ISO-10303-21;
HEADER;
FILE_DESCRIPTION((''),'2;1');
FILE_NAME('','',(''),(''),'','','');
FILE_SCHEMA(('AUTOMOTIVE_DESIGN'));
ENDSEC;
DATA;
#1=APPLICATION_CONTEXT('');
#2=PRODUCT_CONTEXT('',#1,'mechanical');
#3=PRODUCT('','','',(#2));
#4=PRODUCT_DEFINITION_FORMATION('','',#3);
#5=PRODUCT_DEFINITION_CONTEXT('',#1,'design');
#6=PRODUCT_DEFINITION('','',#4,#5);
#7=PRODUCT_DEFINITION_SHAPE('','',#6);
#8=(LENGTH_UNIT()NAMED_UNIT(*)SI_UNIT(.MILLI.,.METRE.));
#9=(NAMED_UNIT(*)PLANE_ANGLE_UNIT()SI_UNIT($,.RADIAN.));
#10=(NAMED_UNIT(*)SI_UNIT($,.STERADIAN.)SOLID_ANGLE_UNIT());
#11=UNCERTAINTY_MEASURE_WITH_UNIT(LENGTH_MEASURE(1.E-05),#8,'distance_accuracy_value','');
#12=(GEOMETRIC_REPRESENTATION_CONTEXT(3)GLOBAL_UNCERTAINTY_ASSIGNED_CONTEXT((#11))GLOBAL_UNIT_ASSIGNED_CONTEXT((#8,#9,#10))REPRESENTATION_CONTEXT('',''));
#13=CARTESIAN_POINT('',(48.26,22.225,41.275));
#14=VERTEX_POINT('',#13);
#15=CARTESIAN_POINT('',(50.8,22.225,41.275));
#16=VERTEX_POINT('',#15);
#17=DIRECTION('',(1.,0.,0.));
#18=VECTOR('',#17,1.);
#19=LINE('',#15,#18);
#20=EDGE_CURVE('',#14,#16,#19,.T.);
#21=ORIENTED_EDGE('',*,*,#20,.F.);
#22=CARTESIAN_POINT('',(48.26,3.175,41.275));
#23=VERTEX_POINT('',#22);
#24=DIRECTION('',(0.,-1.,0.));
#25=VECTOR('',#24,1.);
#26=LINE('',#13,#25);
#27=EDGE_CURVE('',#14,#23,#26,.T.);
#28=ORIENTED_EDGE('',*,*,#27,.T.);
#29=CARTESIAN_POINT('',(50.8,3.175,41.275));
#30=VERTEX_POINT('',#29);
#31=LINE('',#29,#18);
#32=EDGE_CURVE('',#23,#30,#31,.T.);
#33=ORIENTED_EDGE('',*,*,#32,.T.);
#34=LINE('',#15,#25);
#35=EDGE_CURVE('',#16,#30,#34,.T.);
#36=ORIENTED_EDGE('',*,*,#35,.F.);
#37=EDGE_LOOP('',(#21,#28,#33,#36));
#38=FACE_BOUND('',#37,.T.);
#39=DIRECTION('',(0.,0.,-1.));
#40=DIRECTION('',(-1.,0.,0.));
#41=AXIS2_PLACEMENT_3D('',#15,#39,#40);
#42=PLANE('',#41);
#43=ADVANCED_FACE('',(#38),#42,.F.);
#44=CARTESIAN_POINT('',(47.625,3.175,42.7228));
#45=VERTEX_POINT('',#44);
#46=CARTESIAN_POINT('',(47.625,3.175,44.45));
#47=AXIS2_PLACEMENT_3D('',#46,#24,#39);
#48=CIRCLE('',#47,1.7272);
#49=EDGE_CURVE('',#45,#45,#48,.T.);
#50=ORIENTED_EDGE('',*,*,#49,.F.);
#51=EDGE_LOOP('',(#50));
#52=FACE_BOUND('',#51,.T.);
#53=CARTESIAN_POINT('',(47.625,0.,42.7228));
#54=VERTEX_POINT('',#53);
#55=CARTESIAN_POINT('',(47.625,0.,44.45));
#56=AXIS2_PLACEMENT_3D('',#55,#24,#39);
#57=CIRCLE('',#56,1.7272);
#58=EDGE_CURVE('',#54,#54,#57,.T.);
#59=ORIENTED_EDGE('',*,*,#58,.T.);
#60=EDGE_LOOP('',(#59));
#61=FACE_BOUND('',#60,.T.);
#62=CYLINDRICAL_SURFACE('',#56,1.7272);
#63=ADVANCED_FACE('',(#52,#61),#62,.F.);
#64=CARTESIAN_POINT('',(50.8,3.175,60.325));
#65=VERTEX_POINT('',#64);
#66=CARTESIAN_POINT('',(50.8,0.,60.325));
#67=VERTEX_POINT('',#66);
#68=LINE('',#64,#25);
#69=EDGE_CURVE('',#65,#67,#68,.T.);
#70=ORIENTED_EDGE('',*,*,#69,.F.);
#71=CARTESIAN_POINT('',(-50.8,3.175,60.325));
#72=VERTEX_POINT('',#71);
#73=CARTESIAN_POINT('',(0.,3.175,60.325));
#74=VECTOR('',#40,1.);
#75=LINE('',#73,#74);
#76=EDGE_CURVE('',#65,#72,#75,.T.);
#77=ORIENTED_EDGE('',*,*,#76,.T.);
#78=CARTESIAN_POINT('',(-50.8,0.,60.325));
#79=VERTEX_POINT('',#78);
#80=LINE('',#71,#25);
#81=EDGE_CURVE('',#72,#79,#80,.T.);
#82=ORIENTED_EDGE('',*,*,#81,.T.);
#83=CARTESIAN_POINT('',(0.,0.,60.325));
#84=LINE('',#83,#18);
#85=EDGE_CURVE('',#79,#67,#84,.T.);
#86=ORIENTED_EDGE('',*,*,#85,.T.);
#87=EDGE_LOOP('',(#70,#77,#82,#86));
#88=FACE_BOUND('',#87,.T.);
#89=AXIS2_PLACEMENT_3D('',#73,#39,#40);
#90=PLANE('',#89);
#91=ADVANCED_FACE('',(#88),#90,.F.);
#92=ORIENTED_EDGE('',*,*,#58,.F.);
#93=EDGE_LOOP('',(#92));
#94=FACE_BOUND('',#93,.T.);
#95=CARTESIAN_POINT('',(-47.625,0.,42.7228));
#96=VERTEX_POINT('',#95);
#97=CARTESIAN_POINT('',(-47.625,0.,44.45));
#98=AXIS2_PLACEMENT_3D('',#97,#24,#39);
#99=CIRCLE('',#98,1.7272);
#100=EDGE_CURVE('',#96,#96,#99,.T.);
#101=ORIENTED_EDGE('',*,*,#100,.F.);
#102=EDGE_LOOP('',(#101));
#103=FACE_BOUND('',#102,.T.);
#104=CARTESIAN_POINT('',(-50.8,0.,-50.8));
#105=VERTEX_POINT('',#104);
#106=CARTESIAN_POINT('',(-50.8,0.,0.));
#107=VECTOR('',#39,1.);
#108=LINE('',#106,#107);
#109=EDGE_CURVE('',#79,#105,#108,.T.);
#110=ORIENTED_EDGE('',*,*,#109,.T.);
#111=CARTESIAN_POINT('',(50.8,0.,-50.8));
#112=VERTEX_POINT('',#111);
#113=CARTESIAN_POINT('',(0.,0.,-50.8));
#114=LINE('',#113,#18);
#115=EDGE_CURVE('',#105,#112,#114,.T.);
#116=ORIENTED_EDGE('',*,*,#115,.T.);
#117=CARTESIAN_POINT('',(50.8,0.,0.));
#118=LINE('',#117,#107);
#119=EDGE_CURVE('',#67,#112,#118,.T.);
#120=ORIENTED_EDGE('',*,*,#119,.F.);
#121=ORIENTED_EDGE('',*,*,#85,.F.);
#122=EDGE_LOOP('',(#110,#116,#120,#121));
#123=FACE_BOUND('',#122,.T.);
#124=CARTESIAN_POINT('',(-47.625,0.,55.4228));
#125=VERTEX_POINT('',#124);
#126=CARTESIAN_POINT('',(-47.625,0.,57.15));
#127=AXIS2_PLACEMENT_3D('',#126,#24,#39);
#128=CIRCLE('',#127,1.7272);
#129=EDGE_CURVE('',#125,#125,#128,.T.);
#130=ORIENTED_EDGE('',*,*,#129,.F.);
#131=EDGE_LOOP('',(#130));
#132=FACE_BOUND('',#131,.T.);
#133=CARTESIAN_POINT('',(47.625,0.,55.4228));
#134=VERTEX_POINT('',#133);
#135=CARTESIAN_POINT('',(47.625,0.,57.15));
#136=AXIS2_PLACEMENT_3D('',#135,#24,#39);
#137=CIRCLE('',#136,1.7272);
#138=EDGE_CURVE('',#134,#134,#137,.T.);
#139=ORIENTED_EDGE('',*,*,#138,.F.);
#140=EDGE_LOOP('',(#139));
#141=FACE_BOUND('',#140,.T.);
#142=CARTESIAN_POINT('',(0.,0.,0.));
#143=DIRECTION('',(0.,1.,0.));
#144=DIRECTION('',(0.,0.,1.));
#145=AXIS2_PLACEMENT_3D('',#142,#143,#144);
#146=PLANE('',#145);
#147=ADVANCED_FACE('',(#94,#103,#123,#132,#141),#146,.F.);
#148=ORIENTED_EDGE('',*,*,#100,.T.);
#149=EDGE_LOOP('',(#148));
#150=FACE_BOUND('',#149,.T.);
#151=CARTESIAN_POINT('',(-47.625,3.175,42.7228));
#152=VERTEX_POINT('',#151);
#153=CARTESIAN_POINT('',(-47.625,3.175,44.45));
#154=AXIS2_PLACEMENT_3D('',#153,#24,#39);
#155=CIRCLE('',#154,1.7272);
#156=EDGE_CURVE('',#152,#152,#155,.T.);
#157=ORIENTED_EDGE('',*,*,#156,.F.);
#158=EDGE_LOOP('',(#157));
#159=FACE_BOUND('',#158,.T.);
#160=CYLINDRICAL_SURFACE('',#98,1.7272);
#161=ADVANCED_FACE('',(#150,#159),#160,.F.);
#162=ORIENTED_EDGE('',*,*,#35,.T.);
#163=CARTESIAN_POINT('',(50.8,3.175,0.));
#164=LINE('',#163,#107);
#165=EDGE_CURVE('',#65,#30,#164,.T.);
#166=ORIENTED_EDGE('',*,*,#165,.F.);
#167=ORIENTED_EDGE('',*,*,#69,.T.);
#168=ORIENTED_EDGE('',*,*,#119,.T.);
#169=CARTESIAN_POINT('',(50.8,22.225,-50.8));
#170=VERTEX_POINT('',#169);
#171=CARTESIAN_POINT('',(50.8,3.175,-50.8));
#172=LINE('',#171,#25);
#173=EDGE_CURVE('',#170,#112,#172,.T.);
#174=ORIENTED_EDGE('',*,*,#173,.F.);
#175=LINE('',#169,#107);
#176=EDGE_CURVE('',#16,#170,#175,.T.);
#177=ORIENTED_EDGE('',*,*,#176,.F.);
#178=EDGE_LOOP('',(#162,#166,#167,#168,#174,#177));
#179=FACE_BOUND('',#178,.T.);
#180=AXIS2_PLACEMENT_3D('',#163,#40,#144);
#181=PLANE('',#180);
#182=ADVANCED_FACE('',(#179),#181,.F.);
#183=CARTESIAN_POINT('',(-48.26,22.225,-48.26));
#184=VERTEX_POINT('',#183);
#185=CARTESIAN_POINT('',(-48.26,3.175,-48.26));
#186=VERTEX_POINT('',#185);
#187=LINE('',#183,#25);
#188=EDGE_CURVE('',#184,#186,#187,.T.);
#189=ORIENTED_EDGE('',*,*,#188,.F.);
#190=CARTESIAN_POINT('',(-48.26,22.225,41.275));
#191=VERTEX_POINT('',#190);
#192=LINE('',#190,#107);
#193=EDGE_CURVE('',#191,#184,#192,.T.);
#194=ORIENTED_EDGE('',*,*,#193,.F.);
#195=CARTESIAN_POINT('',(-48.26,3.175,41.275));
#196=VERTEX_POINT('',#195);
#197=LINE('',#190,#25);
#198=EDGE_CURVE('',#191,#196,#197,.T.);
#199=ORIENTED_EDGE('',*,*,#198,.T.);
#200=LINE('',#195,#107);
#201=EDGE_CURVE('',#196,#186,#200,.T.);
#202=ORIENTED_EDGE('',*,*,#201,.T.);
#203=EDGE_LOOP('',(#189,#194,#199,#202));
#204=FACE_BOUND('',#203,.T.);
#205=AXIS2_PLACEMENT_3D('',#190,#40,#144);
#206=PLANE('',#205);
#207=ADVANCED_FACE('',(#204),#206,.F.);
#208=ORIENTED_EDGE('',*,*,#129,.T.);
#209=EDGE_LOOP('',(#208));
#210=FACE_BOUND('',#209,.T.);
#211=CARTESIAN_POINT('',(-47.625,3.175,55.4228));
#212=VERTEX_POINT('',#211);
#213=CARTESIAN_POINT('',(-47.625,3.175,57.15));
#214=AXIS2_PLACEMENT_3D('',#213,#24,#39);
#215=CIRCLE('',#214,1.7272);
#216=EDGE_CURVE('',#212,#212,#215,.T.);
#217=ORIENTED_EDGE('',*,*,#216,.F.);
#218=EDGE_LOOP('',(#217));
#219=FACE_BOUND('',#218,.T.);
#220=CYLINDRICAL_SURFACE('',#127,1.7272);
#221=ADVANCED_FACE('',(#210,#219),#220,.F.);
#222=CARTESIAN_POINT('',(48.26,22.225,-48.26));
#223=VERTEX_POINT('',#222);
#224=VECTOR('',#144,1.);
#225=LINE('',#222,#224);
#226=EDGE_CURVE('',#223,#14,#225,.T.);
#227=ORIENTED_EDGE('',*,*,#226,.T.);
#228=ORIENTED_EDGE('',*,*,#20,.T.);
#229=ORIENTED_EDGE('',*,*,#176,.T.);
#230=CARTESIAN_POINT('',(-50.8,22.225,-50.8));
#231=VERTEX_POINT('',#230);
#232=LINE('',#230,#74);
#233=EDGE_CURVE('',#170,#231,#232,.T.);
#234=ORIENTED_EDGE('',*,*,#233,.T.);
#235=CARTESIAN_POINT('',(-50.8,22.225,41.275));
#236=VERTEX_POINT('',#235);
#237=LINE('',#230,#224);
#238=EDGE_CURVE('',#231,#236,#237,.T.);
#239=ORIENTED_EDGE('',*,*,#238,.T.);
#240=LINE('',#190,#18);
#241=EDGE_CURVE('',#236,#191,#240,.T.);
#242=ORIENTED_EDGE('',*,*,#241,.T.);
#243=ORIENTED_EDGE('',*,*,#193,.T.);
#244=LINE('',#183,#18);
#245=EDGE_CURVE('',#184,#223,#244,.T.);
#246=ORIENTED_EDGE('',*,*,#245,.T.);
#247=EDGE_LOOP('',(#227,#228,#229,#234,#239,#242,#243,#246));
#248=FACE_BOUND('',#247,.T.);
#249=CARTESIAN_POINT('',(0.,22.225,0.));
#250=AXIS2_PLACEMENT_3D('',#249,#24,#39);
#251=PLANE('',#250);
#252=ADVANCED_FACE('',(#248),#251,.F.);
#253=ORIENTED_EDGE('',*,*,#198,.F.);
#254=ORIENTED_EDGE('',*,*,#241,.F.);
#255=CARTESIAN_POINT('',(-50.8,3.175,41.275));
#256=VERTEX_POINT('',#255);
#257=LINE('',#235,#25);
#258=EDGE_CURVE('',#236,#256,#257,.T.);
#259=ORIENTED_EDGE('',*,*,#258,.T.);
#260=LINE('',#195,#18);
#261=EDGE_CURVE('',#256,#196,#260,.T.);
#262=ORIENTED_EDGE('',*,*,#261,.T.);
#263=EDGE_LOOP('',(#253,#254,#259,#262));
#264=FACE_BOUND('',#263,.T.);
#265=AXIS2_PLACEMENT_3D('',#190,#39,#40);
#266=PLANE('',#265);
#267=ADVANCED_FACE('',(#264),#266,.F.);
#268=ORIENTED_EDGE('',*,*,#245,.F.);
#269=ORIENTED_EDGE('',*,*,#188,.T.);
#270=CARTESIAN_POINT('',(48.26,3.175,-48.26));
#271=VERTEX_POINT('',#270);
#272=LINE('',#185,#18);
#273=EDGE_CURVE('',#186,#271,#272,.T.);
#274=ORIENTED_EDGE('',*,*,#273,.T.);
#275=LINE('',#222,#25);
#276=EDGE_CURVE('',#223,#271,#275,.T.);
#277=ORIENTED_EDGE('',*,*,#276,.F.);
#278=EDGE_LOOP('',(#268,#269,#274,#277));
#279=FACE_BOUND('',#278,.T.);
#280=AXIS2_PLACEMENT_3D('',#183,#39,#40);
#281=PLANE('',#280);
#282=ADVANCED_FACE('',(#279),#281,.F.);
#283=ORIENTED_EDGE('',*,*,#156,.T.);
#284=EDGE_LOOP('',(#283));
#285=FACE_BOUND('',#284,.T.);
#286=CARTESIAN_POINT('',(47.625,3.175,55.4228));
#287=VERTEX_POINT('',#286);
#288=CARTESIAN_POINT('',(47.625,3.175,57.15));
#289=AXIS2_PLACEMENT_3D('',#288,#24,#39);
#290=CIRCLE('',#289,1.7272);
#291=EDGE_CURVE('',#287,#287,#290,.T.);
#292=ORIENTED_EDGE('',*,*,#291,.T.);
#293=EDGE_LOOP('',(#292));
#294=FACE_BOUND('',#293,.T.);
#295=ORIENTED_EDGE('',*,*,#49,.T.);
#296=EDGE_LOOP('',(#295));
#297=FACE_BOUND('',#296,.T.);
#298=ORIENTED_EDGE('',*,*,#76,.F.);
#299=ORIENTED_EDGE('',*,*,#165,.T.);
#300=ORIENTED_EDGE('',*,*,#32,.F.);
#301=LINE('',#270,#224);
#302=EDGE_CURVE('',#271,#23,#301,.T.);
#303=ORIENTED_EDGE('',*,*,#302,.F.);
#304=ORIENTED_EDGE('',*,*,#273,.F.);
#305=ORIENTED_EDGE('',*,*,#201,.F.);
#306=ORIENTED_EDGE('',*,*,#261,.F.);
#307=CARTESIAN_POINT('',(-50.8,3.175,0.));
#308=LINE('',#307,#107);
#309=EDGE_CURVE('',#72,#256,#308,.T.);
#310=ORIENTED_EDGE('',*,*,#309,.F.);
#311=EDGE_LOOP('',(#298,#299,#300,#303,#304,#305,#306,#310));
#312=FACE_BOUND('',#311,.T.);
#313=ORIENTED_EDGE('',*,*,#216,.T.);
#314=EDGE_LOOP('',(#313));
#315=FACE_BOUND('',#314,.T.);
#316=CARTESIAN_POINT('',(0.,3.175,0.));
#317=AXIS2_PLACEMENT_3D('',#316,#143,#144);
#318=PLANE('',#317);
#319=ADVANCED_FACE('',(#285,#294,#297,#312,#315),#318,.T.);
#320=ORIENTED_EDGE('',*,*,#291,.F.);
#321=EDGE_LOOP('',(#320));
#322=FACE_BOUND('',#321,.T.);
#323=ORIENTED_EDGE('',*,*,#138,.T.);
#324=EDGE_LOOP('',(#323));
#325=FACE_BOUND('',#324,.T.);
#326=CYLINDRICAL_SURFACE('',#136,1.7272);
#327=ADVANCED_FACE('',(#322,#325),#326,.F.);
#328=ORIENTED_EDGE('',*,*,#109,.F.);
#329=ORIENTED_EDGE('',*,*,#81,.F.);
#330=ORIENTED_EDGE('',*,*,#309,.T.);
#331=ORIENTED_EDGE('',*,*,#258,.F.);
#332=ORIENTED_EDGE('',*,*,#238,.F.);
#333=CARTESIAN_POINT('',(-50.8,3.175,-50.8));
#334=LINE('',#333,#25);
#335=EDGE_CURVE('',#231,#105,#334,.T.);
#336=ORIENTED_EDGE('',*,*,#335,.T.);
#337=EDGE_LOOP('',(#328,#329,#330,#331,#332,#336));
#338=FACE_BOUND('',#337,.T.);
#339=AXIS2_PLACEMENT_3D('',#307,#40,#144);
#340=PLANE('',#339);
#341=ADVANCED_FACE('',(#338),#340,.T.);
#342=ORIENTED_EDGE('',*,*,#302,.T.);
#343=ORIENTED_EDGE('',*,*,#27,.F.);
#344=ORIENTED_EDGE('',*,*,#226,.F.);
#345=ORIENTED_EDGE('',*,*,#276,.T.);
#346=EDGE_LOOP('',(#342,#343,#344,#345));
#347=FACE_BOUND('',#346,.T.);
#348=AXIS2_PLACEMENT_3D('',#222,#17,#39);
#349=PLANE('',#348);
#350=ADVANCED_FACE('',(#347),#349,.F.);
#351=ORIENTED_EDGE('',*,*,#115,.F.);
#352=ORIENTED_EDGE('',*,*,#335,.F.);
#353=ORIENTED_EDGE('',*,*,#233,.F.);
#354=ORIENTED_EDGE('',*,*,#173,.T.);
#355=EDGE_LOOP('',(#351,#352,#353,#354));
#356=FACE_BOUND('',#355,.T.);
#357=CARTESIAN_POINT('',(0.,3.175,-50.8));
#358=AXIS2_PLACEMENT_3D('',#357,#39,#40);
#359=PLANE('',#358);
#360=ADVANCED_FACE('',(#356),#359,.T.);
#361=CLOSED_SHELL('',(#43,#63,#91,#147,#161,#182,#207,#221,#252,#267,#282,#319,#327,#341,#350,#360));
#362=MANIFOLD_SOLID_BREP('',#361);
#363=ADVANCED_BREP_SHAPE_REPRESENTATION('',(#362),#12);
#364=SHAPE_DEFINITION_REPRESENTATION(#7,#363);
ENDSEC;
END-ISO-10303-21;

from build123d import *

# Parameters (mm, degrees)
SKETCH1_W             = 101.6
SKETCH1_H             = 101.6
SKETCH1_W_2           = 6.35
SKETCH1_H_2           = 9.525
BOSS_EXTRUDE1_DEPTH   = 3.175
F_8_32_TAPPED_HOLE1_D = 3.4544
BOSS_EXTRUDE2_DEPTH   = 19.05
SKETCH1_3_W           = 88.9
SKETCH1_3_H           = 9.525
BOSS_EXTRUDE3_DEPTH   = 3.175


with BuildPart() as part:
    # Sketch1 → Boss-Extrude1 (new body)
    with BuildSketch(Plane(origin=(0, 0, 0), x_dir=(1, 0, 0), z_dir=(0, 1, 0))):
        Rectangle(SKETCH1_W, SKETCH1_H)
        with Locations((-47.625, -55.5625)):
            Rectangle(SKETCH1_W_2, SKETCH1_H_2)
        with Locations((47.625, -55.5625)):
            Rectangle(SKETCH1_W_2, SKETCH1_H_2)
    extrude(amount=BOSS_EXTRUDE1_DEPTH)

    # #8-32 Tapped Hole1 (through all)
    with Locations(Plane(origin=(0, 0, 0), x_dir=(-1, 0, 0), z_dir=(0, -1, 0))):
        with Locations((-47.625, -57.15), (-47.625, -44.45), (47.625, -57.15), (47.625, -44.45)):
            Hole(F_8_32_TAPPED_HOLE1_D / 2)

    # Sketch8 → Boss-Extrude2 (add)
    with BuildSketch(Plane(origin=(0, 3.175, 0), x_dir=(1, 0, 0), z_dir=(0, 1, 0))):
        Polygon((-50.8, 50.8), (50.8, 50.8), (50.8, -41.275), (48.26, -41.275), (48.26, 48.26), (-48.26, 48.26), (-48.26, -41.275), (-50.8, -41.275), align=None)
    extrude(amount=BOSS_EXTRUDE2_DEPTH)

    # Sketch1<3> → Boss-Extrude3 (add)
    with BuildSketch(Plane(origin=(0, 0, 0), x_dir=(1, 0, 0), z_dir=(0, 1, 0))):
        with Locations((0, -55.5625)):
            Rectangle(SKETCH1_3_W, SKETCH1_3_H)
    extrude(amount=BOSS_EXTRUDE3_DEPTH)


solid = part.part
